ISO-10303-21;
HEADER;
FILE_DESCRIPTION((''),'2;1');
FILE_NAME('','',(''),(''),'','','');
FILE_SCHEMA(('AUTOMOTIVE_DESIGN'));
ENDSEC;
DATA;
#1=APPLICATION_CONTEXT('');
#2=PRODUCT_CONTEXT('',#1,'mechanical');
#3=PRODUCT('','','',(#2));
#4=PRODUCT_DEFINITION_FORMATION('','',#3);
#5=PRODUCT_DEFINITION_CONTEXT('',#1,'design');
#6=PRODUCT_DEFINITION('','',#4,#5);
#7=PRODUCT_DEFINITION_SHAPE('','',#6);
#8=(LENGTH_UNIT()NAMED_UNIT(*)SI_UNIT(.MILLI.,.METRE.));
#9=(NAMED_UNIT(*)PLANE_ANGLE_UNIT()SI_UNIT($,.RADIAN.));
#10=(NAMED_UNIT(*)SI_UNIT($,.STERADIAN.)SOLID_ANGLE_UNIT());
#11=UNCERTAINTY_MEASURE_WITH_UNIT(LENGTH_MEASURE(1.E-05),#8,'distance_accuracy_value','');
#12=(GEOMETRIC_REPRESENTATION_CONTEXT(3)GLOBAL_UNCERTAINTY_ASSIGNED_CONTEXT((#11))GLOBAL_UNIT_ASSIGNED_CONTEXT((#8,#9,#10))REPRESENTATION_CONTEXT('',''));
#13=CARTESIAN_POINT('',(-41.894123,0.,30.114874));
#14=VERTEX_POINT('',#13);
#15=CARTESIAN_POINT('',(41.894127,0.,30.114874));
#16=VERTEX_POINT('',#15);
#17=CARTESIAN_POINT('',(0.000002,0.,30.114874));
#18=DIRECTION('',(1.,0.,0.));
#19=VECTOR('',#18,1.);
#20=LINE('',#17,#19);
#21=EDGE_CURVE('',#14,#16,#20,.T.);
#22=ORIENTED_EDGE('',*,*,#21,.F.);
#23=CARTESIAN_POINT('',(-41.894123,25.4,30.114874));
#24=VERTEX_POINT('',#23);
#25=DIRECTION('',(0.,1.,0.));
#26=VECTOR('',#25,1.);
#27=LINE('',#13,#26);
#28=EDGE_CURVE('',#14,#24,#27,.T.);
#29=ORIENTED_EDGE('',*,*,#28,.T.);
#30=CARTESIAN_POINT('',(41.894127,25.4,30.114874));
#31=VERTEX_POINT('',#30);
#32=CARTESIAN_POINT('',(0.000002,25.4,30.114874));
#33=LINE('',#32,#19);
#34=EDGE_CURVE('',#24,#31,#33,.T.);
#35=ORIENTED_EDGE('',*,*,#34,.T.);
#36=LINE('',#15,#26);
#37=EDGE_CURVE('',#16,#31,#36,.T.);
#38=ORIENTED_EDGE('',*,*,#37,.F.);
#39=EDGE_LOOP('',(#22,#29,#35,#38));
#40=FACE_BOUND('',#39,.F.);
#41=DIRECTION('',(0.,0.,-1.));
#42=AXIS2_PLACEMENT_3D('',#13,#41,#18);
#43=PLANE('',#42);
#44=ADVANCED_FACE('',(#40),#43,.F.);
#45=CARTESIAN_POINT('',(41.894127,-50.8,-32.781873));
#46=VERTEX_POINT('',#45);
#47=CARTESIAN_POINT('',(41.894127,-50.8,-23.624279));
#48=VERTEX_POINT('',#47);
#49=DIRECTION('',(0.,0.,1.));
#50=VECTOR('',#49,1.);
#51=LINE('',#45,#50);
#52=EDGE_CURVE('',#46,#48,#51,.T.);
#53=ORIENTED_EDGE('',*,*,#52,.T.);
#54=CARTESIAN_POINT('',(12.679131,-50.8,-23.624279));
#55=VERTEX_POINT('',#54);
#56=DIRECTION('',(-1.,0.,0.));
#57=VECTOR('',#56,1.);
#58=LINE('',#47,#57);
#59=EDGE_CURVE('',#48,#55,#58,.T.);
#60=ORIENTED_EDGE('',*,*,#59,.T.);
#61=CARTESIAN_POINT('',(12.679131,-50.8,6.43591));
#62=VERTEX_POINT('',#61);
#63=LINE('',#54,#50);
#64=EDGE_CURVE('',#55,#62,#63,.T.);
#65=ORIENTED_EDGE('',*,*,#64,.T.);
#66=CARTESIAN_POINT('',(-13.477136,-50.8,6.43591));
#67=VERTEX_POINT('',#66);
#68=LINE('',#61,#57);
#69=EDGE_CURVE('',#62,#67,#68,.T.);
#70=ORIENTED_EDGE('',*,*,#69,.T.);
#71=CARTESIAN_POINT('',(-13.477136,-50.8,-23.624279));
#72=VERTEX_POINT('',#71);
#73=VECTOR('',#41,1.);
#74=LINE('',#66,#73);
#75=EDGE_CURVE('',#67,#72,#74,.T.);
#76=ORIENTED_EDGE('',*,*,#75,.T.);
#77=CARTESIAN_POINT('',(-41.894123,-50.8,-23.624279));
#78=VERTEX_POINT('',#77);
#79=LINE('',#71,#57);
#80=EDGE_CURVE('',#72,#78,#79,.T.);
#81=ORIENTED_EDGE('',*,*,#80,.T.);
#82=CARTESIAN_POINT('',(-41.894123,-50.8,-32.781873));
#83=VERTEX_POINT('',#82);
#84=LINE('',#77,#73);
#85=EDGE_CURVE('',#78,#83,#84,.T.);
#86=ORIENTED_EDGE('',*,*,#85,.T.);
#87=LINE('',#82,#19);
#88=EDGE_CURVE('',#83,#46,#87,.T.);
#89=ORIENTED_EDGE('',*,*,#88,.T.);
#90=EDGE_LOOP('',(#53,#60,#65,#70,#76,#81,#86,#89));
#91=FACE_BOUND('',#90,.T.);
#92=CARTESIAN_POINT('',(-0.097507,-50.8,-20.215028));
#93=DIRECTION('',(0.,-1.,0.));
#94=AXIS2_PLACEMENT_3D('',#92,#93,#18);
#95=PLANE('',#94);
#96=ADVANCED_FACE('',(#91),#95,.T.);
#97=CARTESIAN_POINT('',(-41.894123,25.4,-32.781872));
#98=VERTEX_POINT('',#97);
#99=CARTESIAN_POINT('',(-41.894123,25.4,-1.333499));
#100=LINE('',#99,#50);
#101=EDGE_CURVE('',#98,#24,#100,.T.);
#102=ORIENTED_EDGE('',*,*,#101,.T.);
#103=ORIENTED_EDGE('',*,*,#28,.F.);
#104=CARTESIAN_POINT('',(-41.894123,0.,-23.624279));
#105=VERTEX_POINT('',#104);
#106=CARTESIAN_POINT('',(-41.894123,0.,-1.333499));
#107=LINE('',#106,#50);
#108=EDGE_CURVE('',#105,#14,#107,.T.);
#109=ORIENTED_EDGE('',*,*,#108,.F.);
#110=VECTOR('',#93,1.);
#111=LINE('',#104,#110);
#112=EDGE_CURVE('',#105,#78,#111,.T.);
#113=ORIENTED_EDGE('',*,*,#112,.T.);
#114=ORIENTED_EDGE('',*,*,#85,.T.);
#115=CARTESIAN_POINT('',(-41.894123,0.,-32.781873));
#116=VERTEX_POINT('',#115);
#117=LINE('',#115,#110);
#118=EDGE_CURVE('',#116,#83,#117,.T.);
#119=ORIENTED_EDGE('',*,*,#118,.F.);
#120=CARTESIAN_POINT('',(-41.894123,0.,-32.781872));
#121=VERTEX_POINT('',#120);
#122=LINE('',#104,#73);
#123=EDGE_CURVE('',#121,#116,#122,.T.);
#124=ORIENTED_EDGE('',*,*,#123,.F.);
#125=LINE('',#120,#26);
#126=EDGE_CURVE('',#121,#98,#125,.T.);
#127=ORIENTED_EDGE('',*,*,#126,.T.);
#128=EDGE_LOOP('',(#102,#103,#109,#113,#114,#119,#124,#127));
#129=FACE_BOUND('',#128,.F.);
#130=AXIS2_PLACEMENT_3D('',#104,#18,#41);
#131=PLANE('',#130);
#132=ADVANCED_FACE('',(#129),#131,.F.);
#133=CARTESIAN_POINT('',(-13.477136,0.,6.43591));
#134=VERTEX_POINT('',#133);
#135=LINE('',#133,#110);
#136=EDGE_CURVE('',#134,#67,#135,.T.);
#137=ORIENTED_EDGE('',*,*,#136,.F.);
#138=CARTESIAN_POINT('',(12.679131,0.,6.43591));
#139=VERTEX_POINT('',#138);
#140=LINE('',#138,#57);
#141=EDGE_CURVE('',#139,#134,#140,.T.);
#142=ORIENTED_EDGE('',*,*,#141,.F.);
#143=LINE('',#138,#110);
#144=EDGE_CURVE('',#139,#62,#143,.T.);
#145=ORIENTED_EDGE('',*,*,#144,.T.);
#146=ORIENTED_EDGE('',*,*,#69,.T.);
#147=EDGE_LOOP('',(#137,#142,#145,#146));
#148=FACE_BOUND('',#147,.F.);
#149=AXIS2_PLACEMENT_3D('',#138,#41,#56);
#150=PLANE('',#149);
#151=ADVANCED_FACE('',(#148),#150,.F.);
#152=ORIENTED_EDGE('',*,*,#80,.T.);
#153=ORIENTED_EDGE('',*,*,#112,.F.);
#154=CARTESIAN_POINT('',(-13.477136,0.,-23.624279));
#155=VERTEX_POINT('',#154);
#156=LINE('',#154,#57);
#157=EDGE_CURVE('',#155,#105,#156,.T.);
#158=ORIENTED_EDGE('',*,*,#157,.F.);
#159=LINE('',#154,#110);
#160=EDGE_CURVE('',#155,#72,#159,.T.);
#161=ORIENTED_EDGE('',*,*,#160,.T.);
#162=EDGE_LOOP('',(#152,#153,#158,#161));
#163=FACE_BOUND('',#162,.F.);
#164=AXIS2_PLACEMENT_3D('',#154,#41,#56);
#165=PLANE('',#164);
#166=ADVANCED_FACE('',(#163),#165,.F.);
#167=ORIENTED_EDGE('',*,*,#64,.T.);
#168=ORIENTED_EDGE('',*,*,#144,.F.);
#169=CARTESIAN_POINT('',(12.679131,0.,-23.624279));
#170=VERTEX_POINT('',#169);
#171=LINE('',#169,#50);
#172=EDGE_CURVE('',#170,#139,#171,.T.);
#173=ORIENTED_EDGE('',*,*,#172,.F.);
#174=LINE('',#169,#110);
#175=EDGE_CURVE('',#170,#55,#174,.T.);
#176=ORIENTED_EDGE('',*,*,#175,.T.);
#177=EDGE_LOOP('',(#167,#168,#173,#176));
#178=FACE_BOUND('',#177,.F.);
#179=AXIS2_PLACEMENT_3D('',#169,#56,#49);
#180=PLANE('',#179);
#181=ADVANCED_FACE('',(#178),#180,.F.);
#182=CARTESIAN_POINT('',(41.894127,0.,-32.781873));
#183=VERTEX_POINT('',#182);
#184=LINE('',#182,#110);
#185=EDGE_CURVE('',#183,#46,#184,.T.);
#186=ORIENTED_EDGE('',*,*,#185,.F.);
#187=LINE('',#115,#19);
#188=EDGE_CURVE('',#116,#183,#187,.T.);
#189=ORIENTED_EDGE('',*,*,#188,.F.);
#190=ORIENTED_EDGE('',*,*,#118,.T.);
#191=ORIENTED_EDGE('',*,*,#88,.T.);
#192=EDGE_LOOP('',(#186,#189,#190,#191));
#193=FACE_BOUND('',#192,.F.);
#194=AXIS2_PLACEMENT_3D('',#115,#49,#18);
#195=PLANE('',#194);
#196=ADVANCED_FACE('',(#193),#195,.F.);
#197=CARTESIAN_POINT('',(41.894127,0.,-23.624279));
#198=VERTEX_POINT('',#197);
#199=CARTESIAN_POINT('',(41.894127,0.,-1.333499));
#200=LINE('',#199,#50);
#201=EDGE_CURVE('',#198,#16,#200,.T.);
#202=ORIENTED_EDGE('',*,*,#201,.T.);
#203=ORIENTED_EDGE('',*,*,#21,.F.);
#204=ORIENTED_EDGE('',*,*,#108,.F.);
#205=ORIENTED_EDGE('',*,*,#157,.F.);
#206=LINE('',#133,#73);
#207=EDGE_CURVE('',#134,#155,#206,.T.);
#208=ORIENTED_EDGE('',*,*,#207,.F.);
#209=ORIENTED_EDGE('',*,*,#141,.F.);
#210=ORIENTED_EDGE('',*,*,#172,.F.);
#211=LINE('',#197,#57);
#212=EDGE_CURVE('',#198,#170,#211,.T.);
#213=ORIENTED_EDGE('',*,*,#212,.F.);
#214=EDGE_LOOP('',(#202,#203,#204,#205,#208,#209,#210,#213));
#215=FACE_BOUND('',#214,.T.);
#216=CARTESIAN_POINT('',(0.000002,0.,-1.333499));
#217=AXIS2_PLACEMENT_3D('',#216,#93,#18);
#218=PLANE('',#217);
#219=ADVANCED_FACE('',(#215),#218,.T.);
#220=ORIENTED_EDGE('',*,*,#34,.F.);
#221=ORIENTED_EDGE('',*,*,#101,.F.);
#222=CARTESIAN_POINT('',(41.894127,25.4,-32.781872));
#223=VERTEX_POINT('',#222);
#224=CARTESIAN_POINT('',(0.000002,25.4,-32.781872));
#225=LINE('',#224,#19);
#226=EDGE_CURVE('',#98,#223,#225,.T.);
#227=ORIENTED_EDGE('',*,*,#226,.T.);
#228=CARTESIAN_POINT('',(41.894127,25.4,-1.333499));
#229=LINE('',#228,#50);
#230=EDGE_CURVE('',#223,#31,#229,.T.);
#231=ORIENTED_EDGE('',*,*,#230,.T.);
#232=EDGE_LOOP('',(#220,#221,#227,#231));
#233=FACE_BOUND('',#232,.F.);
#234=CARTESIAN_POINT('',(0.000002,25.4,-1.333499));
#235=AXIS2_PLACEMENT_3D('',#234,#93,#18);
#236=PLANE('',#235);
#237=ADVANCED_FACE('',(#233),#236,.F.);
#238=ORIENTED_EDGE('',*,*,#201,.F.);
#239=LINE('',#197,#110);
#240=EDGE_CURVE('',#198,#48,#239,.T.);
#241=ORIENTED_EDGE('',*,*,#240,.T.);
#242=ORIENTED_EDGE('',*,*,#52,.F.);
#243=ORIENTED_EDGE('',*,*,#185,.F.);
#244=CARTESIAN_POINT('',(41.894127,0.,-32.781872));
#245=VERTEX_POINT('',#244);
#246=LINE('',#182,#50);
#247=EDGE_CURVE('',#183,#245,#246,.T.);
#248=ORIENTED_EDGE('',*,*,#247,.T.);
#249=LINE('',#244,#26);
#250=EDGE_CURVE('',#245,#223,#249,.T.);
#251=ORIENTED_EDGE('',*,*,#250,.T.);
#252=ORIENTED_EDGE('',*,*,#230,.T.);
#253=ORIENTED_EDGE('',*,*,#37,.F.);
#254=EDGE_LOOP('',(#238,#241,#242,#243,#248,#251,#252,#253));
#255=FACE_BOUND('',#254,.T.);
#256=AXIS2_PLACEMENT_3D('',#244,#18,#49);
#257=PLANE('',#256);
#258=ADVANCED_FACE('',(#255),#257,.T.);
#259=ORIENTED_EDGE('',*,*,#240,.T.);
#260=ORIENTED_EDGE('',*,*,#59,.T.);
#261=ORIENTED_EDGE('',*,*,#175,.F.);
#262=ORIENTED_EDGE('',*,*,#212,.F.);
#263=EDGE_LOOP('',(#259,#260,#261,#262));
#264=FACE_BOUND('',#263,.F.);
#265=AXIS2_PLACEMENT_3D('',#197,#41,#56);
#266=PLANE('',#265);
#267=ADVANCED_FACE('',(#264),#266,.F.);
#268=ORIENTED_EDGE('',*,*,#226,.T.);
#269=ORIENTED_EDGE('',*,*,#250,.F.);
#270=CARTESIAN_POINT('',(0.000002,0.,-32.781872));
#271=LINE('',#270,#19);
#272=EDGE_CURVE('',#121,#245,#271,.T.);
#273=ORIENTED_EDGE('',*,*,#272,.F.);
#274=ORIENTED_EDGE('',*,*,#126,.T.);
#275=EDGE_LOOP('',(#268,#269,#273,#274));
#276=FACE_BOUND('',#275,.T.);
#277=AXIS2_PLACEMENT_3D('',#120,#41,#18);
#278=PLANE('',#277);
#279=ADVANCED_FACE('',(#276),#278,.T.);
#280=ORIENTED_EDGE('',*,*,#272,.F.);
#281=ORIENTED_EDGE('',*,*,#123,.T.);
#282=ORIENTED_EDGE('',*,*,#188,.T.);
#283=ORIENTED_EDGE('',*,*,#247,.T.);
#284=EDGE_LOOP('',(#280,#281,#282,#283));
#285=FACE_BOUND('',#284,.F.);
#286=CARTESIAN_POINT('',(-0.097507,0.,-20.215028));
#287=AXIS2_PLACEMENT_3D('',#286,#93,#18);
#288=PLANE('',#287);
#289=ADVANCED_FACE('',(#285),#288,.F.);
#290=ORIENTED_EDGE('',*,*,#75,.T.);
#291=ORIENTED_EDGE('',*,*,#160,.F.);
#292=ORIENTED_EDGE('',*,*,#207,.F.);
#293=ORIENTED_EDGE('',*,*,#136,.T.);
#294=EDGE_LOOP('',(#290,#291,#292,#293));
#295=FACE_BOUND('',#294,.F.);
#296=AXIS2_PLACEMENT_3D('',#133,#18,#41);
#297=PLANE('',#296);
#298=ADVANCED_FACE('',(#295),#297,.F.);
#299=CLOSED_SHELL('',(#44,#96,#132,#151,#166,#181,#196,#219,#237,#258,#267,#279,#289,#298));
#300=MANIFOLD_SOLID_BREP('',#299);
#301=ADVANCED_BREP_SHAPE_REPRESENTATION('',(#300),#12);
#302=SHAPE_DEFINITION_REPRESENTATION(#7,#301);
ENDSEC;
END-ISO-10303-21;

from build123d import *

# Parameters (mm, degrees)
F0_W     = 83.78825
F0_H     = 62.896747
F1_DEPTH = 25.4
F3_DEPTH = 50.8


with BuildPart() as f1:
    # F0 (on Front) → F1 (new body)
    with BuildSketch(Plane.XZ):
        with Locations((2e-06, -1.333499)):
            Rectangle(F0_W, F0_H)
    extrude(amount=-F1_DEPTH)

    # F2 (on face) → F3 (join)
    with BuildSketch(Plane.XZ):
        Polygon((-13.477136, -23.624279), (-41.894123, -23.624279), (-41.894123, -32.781873), (41.894127, -32.781873), (41.894127, -23.624279), (12.679131, -23.624279), (12.679131, 6.43591), (-13.477136, 6.43591), align=None)
    extrude(amount=F3_DEPTH)


solid = f1.part
